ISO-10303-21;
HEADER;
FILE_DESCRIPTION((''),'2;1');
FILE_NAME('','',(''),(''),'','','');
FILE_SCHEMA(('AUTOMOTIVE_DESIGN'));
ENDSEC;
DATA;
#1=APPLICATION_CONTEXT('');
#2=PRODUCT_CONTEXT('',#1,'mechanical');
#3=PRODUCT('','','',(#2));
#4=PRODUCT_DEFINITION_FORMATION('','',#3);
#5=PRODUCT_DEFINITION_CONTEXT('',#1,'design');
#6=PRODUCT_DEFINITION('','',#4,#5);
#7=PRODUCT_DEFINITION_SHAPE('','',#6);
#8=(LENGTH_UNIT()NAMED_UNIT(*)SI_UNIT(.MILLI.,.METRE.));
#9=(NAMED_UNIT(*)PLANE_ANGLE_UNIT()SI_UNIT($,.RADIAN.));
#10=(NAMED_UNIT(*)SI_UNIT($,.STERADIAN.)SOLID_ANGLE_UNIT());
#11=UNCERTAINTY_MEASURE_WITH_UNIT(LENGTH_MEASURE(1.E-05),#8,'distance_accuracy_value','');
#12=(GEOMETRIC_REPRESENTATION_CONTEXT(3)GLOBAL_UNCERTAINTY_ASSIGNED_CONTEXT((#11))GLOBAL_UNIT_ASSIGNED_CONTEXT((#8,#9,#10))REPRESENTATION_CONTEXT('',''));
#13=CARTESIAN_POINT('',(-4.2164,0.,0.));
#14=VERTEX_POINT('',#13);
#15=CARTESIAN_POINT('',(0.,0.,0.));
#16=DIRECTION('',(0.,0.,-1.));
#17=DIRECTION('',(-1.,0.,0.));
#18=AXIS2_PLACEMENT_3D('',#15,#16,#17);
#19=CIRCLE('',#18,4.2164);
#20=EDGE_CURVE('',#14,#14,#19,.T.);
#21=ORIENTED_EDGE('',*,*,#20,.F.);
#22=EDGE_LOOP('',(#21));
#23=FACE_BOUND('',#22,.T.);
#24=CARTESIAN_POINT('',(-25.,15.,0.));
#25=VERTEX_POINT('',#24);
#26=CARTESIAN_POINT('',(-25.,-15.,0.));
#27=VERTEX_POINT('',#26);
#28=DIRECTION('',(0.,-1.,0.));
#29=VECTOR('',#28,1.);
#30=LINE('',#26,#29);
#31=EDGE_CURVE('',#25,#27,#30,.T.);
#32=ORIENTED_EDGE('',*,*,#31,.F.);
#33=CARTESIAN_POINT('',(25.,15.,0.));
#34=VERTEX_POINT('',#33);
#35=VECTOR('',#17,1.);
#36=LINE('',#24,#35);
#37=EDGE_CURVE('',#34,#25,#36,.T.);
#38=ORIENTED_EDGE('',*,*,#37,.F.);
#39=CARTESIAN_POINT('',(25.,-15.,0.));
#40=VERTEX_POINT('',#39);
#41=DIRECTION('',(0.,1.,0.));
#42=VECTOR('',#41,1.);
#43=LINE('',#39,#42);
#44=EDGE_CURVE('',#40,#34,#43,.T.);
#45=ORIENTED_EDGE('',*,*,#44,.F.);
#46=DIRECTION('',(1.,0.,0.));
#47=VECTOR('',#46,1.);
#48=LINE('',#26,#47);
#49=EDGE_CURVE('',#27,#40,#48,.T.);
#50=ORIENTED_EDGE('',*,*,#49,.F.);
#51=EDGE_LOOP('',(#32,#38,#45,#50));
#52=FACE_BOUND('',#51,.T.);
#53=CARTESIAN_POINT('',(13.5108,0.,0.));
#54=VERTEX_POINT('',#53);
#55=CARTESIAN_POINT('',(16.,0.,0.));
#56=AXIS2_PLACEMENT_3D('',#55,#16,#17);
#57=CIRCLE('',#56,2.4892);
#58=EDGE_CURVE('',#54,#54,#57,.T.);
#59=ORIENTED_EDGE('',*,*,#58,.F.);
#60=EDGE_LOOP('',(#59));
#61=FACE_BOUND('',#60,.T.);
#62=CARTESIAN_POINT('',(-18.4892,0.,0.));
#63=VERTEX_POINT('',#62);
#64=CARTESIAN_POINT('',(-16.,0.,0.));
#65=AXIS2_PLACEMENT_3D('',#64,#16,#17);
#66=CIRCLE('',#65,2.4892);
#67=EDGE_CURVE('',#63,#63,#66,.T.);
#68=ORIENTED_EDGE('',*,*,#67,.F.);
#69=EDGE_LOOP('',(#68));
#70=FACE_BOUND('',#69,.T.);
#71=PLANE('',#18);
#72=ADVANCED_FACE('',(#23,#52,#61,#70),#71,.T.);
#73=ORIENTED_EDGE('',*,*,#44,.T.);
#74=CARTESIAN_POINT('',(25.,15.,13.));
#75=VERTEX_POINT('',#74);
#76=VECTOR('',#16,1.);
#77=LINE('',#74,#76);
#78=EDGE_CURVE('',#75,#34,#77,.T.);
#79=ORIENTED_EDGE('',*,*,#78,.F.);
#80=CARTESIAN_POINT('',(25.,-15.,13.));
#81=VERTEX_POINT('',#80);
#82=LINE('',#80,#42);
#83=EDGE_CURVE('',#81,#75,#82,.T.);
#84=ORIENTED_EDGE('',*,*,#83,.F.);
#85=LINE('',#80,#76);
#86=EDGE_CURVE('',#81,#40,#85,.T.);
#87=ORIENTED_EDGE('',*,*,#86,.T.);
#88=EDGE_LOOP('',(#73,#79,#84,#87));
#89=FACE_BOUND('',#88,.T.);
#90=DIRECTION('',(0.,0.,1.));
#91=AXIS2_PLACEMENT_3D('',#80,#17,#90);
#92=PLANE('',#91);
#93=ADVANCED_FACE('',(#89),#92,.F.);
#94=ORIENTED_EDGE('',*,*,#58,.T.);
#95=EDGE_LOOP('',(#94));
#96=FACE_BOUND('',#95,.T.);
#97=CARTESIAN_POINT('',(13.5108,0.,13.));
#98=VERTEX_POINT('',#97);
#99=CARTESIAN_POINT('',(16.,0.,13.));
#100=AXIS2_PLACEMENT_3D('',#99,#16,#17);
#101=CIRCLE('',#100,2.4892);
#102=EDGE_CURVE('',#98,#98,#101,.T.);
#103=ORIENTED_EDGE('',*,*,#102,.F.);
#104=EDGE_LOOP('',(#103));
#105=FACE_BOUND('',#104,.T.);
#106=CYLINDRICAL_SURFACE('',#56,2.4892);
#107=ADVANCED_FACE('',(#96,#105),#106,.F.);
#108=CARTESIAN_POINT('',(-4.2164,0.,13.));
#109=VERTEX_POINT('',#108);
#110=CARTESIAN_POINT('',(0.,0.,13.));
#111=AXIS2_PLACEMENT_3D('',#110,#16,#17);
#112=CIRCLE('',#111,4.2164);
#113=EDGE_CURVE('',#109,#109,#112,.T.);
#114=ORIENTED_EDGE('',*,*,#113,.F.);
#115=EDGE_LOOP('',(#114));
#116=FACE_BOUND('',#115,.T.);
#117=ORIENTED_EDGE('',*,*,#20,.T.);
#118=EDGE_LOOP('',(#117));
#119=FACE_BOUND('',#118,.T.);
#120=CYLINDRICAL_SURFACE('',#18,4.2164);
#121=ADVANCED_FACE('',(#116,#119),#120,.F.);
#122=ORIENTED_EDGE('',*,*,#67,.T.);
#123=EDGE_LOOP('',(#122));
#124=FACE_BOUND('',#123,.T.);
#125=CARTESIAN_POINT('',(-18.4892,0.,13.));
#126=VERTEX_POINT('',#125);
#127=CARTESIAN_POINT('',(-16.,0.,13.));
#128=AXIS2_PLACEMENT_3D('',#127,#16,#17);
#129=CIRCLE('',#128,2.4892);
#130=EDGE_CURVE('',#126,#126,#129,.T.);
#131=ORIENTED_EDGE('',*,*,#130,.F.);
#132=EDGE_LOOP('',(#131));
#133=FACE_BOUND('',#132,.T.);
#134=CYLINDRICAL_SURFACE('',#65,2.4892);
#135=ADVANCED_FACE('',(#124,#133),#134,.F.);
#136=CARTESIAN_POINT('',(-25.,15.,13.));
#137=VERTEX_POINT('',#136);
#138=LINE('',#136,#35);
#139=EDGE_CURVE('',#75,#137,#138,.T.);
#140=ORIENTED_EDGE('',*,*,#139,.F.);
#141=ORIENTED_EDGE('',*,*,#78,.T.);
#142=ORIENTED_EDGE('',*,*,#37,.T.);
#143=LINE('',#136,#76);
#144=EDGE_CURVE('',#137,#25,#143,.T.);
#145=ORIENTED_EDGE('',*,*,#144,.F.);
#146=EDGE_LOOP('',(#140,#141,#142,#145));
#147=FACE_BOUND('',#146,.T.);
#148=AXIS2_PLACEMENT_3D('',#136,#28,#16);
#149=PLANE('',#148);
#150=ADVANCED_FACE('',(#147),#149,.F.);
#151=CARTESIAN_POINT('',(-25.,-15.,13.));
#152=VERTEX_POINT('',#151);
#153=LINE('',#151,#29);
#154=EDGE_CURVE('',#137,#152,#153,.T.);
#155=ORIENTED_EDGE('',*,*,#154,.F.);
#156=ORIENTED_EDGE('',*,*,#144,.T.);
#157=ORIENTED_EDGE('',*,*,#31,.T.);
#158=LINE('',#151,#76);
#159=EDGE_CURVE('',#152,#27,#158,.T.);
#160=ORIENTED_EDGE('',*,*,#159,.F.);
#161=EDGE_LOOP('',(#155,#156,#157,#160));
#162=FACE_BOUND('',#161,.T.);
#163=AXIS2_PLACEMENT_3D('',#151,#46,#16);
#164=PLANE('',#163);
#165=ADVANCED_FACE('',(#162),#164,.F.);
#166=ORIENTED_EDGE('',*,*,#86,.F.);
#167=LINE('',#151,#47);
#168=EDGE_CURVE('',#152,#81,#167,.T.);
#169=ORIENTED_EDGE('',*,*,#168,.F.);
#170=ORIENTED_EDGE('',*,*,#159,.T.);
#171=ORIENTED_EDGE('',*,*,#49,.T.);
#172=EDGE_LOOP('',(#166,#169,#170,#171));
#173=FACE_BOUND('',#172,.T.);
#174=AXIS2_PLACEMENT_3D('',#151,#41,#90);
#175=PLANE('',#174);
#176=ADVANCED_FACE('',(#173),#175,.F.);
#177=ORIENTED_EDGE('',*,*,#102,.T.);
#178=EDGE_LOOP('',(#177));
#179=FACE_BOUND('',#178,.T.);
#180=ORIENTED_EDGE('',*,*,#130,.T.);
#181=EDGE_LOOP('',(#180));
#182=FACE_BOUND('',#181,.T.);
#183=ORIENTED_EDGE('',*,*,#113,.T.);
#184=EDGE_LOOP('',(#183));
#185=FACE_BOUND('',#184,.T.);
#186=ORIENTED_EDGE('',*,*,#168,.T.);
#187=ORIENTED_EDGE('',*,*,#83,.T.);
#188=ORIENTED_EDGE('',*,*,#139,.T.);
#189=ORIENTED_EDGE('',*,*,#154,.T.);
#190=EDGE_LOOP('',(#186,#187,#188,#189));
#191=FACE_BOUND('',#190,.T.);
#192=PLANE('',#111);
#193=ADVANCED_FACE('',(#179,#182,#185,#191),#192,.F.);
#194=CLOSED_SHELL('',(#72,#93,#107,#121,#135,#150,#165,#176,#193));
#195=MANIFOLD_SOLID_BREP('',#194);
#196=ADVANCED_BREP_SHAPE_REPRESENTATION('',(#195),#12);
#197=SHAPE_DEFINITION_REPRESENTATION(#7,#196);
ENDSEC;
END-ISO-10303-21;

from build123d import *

# Parameters (mm, degrees)
SKETCH1_W                             = 50
SKETCH1_H                             = 30
BOSS_EXTRUDE1_DEPTH                   = 13
TAP_DRILL_FOR_5_16_18_HELICOIL1_D     = 8.4328
TAP_DRILL_FOR_5_16_18_HELICOIL1_DEPTH = 129.53
TAP_DRILL_FOR_5_16_18_HELICOIL1_TIP   = 2.533468714
F_10_CLEARANCE_HOLE1_D                = 4.9784
F_10_CLEARANCE_HOLE1_DEPTH            = 129.53
F_10_CLEARANCE_HOLE1_TIP              = 1.495662253


with BuildPart() as part:
    # Sketch1 → Boss-Extrude1 (new body)
    with BuildSketch(Plane.XY):
        Rectangle(SKETCH1_W, SKETCH1_H)
    extrude(amount=BOSS_EXTRUDE1_DEPTH)

    # Tap Drill for 5/16-18 Helicoil1
    with Locations(Plane(origin=(0, 0, 0), x_dir=(-1, 0, 0), z_dir=(0, 0, -1))):
        with Locations((0, 0)):
            Hole(TAP_DRILL_FOR_5_16_18_HELICOIL1_D / 2, depth=TAP_DRILL_FOR_5_16_18_HELICOIL1_DEPTH)
            with Locations((0, 0, -(TAP_DRILL_FOR_5_16_18_HELICOIL1_DEPTH + TAP_DRILL_FOR_5_16_18_HELICOIL1_TIP / 2))):  # 118° drill point
                Cone(0, TAP_DRILL_FOR_5_16_18_HELICOIL1_D / 2, TAP_DRILL_FOR_5_16_18_HELICOIL1_TIP, mode=Mode.SUBTRACT)

    # #10 Clearance Hole1
    with Locations(Plane(origin=(0, 0, 0), x_dir=(-1, 0, 0), z_dir=(0, 0, -1))):
        with Locations((-16, 0), (16, 0)):
            Hole(F_10_CLEARANCE_HOLE1_D / 2, depth=F_10_CLEARANCE_HOLE1_DEPTH)
            with Locations((0, 0, -(F_10_CLEARANCE_HOLE1_DEPTH + F_10_CLEARANCE_HOLE1_TIP / 2))):  # 118° drill point
                Cone(0, F_10_CLEARANCE_HOLE1_D / 2, F_10_CLEARANCE_HOLE1_TIP, mode=Mode.SUBTRACT)


solid = part.part
